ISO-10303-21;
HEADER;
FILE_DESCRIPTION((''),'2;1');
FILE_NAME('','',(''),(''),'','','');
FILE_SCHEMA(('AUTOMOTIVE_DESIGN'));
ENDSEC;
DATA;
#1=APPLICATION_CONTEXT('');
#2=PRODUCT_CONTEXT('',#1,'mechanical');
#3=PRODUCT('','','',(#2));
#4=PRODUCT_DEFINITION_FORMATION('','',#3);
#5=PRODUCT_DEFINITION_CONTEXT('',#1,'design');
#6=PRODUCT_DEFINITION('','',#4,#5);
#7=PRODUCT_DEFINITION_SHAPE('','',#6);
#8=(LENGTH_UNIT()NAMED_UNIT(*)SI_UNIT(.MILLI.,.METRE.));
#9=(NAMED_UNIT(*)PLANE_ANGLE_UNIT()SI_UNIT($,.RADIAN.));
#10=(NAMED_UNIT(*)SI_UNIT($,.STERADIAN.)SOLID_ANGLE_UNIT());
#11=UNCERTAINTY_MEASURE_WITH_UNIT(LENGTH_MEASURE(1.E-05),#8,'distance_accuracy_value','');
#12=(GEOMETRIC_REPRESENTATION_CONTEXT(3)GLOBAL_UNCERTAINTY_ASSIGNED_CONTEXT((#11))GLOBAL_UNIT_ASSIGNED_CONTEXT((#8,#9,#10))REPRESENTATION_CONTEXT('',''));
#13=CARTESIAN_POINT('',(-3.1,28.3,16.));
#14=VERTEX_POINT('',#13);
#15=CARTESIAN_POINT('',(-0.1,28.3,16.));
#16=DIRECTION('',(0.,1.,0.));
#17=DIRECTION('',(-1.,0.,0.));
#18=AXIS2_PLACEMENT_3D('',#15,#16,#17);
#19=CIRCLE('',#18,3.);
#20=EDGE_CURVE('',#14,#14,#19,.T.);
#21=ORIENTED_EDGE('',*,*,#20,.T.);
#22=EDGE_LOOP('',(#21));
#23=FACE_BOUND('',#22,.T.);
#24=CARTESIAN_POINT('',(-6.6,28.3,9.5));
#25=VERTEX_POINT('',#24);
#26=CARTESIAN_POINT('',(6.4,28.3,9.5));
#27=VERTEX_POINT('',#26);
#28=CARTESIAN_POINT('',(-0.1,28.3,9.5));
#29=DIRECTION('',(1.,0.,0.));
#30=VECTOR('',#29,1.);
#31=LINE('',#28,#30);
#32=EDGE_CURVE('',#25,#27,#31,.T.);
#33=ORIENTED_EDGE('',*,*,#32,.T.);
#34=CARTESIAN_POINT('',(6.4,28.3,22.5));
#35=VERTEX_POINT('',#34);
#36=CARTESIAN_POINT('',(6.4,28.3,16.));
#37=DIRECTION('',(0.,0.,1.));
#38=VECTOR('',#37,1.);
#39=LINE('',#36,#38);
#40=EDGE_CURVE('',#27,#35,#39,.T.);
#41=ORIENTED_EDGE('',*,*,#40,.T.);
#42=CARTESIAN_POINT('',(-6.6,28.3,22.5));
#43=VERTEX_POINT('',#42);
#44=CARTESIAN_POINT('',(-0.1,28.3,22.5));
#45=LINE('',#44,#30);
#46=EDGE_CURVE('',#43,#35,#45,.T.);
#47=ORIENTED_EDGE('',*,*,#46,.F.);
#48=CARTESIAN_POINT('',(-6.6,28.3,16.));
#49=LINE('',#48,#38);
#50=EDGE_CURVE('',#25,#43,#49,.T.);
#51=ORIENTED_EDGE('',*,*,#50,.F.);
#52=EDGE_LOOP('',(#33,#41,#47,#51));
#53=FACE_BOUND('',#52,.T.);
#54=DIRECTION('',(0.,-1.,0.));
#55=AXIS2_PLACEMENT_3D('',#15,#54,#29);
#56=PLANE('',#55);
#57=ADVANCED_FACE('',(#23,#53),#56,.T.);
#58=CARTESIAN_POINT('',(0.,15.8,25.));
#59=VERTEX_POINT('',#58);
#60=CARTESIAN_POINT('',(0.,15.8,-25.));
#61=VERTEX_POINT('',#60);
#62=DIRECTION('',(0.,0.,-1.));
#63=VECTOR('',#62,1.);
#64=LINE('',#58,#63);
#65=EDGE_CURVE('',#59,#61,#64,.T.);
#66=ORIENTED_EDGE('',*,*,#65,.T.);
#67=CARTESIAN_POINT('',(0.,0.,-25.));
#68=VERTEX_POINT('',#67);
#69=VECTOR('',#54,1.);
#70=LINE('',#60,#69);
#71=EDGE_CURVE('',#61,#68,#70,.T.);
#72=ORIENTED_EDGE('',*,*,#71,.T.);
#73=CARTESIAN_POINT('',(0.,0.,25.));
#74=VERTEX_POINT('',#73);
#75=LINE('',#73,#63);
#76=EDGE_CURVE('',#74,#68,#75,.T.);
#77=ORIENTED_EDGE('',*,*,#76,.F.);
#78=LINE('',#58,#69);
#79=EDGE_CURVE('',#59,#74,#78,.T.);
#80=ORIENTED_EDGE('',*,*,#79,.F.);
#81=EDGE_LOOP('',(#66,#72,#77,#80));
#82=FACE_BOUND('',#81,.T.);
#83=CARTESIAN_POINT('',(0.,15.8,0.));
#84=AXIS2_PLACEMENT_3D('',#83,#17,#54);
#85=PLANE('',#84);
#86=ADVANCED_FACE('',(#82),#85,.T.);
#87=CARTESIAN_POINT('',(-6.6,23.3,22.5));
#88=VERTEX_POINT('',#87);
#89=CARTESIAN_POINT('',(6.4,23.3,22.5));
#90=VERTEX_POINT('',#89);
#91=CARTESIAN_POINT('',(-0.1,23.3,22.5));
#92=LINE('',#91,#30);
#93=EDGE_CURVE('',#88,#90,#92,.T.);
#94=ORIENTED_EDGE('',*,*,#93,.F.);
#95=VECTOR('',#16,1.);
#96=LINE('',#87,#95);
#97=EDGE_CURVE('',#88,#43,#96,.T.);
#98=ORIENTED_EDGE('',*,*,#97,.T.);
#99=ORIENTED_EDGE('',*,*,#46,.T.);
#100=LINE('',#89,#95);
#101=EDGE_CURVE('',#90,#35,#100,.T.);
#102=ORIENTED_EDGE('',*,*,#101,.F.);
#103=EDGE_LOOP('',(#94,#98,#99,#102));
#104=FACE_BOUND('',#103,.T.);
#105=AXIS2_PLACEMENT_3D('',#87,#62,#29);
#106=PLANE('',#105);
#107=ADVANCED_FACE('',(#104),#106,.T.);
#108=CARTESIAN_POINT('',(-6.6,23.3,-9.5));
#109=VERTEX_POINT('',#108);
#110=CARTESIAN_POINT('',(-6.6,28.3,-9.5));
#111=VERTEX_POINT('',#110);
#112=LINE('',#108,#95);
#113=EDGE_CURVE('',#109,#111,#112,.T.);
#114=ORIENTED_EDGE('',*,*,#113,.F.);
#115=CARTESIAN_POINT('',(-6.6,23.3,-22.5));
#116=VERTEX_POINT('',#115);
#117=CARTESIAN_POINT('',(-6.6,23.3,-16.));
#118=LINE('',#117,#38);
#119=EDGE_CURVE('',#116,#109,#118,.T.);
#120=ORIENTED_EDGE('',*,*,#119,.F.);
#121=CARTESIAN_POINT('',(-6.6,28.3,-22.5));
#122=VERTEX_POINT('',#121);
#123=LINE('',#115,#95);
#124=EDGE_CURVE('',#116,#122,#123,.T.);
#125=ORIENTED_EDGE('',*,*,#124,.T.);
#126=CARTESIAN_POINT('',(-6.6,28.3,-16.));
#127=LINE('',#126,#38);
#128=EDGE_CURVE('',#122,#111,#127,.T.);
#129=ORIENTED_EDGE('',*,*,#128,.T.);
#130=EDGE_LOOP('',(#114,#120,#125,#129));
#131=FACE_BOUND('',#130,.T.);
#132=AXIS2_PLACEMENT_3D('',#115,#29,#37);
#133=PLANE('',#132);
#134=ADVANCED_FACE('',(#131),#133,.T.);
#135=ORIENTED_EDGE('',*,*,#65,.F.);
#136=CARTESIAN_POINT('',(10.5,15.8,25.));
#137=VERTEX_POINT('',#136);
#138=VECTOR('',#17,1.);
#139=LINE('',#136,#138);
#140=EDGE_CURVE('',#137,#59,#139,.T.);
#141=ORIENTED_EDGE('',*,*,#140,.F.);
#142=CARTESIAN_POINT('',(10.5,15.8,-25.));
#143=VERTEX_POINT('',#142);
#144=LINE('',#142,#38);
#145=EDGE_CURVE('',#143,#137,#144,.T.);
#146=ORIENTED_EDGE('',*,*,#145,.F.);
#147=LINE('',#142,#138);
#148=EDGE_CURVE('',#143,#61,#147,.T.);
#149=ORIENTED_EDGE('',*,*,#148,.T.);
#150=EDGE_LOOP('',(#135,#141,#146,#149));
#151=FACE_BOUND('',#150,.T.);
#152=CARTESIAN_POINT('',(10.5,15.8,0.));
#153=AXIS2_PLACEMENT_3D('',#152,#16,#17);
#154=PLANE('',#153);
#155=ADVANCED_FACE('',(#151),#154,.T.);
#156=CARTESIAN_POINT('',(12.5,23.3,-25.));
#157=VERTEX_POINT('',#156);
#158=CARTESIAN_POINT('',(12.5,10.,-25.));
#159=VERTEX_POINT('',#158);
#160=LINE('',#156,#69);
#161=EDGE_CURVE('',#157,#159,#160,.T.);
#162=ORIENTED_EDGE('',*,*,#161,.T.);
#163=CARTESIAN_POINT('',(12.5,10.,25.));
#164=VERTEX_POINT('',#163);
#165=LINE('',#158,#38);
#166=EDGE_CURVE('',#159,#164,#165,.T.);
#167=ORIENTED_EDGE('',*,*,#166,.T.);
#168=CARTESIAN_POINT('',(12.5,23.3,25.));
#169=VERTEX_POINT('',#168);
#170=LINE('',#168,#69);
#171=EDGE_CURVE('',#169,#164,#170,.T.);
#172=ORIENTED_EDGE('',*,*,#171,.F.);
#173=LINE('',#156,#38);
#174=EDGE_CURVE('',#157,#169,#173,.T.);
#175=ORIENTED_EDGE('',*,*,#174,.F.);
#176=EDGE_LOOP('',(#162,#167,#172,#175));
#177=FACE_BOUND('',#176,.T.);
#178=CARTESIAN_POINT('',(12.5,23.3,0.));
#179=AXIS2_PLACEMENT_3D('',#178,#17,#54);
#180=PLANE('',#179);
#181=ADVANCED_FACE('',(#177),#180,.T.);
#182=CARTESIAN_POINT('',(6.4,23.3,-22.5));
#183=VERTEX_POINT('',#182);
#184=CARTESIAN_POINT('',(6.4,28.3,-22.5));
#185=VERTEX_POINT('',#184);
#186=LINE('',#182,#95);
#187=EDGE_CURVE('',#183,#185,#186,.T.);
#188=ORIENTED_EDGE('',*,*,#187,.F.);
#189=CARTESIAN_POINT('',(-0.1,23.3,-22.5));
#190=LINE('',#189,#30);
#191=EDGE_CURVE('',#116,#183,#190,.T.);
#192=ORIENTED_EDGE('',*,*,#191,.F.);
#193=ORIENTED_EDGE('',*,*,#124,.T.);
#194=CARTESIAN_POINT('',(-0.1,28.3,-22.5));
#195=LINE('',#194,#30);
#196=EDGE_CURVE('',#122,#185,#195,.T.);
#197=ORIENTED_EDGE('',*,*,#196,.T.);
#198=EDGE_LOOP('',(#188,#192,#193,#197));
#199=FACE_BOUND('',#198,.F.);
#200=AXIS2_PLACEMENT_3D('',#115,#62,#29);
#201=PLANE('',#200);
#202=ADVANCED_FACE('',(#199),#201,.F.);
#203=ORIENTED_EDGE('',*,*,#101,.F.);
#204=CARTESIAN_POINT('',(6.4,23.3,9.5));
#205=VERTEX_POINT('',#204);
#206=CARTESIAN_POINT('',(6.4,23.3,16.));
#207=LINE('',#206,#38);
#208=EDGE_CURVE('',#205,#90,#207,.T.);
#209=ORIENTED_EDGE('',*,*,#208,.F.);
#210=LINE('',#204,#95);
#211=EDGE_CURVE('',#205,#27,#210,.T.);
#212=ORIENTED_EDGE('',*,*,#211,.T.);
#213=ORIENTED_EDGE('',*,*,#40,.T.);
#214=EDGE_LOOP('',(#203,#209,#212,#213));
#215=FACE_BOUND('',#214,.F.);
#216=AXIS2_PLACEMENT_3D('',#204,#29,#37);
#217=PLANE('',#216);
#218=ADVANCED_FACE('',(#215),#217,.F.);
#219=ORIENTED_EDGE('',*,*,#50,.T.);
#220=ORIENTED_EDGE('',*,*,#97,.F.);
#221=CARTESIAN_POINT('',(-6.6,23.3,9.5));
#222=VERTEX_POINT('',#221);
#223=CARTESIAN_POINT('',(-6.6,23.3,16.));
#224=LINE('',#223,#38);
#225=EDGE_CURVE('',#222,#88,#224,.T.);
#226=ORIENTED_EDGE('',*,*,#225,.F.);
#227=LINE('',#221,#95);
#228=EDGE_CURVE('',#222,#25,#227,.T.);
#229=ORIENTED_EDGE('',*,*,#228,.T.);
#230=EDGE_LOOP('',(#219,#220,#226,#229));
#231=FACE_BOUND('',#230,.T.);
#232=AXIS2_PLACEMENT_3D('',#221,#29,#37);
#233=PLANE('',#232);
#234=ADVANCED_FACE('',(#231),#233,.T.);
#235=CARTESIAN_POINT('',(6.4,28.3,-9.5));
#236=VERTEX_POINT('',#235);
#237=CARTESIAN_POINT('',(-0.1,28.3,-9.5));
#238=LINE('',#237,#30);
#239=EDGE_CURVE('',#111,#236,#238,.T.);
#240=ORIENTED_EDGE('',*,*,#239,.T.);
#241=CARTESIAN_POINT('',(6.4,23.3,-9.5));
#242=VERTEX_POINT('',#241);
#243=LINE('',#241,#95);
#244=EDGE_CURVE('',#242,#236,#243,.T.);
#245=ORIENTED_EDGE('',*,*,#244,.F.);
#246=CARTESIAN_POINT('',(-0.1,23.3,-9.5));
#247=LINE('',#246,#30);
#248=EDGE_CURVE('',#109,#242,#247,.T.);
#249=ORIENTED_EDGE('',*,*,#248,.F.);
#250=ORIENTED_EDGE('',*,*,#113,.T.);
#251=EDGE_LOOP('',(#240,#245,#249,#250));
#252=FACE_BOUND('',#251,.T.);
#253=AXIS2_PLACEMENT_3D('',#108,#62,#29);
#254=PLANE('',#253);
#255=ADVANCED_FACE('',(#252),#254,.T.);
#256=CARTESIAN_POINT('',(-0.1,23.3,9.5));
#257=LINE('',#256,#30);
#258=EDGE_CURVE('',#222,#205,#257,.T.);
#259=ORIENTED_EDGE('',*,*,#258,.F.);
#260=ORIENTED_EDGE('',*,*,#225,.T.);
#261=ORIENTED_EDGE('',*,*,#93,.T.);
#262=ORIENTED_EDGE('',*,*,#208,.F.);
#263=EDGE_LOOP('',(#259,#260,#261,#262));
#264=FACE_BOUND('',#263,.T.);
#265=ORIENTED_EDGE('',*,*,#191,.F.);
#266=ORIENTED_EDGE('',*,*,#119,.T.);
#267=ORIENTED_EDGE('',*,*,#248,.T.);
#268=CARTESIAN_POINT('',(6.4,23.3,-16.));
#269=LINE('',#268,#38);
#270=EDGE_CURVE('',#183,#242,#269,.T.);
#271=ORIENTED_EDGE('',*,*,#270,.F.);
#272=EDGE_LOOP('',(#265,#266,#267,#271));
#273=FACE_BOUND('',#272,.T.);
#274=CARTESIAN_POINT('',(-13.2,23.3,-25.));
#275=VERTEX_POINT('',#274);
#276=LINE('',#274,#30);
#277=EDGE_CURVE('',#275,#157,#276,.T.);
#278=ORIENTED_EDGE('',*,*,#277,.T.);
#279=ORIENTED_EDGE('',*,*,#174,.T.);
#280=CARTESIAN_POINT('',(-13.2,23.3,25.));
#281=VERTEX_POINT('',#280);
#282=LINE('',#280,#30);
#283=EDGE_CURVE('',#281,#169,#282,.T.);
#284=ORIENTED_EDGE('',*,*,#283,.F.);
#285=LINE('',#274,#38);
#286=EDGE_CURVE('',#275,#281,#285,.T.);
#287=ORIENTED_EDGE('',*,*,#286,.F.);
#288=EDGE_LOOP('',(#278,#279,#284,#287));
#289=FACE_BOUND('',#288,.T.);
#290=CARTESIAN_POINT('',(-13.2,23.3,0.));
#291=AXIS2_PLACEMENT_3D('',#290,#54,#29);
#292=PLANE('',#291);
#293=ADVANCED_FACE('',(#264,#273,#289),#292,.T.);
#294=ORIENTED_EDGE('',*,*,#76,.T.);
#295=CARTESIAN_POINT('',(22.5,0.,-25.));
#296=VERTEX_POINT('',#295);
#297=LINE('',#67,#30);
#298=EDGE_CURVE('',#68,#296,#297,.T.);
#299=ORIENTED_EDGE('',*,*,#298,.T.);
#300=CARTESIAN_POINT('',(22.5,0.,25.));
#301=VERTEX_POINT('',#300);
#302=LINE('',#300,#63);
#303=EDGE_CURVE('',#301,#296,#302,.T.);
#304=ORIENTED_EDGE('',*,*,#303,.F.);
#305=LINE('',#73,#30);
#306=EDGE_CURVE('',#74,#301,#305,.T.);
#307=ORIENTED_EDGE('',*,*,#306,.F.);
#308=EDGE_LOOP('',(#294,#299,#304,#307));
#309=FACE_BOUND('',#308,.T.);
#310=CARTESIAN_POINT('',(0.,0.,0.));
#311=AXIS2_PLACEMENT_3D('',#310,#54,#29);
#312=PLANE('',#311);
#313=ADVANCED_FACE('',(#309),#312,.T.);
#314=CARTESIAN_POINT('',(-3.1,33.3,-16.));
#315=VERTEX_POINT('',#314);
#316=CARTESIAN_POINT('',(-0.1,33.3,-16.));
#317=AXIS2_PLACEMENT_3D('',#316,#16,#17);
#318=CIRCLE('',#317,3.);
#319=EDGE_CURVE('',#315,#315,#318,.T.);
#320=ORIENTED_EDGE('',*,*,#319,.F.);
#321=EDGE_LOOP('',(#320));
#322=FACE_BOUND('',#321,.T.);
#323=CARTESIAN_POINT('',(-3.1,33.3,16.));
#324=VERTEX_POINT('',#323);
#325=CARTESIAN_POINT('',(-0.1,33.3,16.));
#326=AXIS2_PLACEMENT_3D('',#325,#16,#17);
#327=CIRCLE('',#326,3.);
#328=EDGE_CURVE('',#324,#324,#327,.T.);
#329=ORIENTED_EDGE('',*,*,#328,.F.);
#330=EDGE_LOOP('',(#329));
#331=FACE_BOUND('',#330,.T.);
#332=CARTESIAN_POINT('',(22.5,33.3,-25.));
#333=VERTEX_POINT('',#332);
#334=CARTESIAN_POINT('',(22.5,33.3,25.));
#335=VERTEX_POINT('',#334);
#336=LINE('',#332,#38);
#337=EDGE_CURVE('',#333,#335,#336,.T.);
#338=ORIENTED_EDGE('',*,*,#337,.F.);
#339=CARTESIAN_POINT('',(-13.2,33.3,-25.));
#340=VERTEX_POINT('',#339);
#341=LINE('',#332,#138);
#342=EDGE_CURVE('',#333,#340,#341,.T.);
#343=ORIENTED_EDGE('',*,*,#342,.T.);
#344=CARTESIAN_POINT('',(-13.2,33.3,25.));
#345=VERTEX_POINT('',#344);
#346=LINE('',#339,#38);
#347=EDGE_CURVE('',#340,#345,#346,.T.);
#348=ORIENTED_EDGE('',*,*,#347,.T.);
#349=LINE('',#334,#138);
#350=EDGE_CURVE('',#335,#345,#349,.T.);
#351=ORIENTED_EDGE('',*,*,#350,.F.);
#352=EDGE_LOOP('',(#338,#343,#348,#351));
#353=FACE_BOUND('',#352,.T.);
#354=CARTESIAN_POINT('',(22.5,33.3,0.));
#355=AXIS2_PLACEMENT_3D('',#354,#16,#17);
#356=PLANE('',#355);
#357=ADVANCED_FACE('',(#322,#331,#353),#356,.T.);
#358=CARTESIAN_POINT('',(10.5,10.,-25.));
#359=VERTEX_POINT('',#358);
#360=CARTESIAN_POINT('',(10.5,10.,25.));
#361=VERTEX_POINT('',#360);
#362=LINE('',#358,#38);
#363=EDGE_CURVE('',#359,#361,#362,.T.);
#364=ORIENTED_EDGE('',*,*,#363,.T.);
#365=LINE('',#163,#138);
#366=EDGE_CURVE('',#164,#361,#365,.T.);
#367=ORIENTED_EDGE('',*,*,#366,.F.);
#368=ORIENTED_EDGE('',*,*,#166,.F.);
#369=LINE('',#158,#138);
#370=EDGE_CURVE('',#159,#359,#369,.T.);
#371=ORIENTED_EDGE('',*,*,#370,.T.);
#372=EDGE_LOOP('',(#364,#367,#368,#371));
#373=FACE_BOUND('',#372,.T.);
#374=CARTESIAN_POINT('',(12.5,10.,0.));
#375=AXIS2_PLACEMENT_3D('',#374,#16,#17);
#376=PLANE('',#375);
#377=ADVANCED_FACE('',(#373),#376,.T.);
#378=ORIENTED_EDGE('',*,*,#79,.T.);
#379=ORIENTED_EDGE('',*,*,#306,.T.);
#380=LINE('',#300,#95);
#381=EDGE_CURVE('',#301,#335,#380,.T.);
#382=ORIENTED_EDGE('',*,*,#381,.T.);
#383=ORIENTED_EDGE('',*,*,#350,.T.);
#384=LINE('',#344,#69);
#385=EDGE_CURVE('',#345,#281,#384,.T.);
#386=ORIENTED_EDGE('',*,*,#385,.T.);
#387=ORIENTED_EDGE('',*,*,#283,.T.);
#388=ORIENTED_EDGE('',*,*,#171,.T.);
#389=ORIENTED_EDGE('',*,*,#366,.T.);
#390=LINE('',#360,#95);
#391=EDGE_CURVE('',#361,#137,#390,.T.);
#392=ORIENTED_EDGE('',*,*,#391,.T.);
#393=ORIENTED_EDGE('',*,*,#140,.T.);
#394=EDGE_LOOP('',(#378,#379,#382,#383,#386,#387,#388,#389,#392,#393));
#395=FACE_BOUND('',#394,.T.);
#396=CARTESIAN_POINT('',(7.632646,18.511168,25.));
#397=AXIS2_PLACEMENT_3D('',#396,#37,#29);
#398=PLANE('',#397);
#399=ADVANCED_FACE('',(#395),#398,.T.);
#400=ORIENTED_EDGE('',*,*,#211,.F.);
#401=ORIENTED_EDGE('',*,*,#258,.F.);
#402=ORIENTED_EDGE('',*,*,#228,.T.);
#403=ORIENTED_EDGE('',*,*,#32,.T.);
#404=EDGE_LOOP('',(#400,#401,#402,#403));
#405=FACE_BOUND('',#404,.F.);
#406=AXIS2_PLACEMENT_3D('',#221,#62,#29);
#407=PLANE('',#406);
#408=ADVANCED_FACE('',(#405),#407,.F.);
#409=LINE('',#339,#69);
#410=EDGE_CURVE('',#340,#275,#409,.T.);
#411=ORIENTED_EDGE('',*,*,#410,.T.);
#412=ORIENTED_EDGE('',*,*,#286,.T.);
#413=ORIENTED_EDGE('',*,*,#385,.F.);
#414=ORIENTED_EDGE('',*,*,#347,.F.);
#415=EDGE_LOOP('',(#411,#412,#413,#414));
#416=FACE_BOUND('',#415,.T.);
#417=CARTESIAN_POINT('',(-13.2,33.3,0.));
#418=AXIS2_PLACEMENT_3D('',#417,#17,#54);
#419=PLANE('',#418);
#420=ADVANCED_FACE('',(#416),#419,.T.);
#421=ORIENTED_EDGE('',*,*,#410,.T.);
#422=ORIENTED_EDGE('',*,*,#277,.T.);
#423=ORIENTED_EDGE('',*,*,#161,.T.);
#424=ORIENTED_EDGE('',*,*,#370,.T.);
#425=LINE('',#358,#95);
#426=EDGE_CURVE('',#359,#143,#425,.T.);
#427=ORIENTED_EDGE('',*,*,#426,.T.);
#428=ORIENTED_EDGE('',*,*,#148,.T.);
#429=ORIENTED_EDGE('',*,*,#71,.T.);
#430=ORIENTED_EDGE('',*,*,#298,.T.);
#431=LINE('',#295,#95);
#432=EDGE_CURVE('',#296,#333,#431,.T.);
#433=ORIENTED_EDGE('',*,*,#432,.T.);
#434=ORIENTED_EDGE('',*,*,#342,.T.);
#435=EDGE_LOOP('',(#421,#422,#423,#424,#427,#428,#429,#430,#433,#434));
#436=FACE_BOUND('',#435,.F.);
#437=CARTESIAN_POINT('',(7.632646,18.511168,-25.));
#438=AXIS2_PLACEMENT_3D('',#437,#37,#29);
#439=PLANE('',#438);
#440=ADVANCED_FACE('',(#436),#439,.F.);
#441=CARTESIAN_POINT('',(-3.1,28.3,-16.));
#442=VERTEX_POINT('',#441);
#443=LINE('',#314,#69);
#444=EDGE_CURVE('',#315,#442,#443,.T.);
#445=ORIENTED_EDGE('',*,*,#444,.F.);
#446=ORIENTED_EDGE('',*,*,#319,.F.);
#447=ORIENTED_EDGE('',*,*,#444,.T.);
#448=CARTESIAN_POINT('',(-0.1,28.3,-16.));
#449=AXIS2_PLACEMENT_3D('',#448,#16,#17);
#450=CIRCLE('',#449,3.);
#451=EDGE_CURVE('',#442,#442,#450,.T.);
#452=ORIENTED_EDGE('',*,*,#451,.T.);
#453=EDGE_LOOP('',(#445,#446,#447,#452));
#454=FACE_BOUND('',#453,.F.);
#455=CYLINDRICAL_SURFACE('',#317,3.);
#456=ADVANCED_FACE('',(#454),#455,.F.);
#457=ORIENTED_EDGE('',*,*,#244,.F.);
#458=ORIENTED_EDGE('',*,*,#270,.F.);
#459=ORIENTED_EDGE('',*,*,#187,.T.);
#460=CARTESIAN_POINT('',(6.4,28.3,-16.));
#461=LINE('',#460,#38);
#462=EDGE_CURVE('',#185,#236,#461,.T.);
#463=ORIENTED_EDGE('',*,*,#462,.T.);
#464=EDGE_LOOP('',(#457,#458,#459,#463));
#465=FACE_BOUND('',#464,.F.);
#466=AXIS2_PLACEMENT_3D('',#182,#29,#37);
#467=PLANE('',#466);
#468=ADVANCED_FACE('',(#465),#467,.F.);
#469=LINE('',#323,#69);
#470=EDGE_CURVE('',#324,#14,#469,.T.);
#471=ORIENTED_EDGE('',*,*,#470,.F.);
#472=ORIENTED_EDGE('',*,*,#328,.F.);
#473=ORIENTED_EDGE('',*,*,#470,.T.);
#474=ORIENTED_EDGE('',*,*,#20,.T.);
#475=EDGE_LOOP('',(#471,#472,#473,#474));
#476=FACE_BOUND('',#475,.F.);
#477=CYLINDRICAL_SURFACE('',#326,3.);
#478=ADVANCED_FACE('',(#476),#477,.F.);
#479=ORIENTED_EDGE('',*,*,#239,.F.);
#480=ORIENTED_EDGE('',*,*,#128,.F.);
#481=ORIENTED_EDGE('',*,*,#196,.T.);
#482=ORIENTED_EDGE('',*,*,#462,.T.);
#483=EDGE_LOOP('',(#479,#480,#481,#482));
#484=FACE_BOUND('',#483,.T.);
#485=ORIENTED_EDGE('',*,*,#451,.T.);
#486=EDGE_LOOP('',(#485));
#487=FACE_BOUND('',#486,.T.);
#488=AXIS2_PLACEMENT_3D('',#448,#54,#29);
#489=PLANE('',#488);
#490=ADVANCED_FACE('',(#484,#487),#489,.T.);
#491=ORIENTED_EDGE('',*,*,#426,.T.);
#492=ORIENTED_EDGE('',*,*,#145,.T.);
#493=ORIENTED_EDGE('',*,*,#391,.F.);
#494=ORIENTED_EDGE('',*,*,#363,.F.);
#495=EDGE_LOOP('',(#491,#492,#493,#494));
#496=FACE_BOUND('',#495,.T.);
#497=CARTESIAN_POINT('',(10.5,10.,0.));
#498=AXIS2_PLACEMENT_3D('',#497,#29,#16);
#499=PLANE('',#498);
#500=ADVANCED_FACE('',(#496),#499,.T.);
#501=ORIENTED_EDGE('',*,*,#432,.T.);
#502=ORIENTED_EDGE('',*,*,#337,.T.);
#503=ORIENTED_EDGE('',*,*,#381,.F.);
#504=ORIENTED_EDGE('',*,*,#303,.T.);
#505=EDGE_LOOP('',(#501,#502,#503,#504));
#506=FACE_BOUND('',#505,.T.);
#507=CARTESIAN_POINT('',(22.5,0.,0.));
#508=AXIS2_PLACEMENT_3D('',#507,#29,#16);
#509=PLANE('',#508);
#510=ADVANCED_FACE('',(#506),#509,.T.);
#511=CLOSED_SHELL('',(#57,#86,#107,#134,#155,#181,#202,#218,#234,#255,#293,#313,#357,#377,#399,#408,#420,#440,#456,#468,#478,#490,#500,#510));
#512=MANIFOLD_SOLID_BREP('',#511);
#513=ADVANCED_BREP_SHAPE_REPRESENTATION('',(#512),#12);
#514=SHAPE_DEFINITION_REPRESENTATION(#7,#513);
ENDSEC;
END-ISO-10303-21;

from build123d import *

# Parameters (mm, degrees)
F1_DEPTH = 25
F2_R     = 3
F3_DEPTH = 10
F4_W     = 13
F4_H     = 13
F5_DEPTH = 5


with BuildPart() as f1:
    # F0 (on Top) → F1 (new body, symmetric)
    with BuildSketch(Plane.XY):
        Polygon((22.5, 0), (22.5, 33.3), (-13.2, 33.3), (-13.2, 23.3), (12.5, 23.3), (12.5, 10), (10.5, 10), (10.5, 15.8), (0, 15.8), (0, 0), align=None)
    extrude(amount=F1_DEPTH, both=True)

    # F2 (on face) → F3 (cut, through all)
    with BuildSketch(Plane(origin=(0, 33.3, 0), x_dir=(-1, 0, 0), z_dir=(0, 1, 0))):
        with Locations((0.1, -16)):
            Circle(F2_R)
        with Locations((0.1, 16)):
            Circle(F2_R)
    extrude(amount=-F3_DEPTH, mode=Mode.SUBTRACT)

    # F4 (on face) → F5 (cut)
    with BuildSketch(Plane.XZ.offset(-23.3)):
        with Locations((-0.1, 16)):
            Rectangle(F4_W, F4_H)
        with Locations((-0.1, -16)):
            Rectangle(F4_W, F4_H)
    extrude(amount=-F5_DEPTH, mode=Mode.SUBTRACT)


solid = f1.part
